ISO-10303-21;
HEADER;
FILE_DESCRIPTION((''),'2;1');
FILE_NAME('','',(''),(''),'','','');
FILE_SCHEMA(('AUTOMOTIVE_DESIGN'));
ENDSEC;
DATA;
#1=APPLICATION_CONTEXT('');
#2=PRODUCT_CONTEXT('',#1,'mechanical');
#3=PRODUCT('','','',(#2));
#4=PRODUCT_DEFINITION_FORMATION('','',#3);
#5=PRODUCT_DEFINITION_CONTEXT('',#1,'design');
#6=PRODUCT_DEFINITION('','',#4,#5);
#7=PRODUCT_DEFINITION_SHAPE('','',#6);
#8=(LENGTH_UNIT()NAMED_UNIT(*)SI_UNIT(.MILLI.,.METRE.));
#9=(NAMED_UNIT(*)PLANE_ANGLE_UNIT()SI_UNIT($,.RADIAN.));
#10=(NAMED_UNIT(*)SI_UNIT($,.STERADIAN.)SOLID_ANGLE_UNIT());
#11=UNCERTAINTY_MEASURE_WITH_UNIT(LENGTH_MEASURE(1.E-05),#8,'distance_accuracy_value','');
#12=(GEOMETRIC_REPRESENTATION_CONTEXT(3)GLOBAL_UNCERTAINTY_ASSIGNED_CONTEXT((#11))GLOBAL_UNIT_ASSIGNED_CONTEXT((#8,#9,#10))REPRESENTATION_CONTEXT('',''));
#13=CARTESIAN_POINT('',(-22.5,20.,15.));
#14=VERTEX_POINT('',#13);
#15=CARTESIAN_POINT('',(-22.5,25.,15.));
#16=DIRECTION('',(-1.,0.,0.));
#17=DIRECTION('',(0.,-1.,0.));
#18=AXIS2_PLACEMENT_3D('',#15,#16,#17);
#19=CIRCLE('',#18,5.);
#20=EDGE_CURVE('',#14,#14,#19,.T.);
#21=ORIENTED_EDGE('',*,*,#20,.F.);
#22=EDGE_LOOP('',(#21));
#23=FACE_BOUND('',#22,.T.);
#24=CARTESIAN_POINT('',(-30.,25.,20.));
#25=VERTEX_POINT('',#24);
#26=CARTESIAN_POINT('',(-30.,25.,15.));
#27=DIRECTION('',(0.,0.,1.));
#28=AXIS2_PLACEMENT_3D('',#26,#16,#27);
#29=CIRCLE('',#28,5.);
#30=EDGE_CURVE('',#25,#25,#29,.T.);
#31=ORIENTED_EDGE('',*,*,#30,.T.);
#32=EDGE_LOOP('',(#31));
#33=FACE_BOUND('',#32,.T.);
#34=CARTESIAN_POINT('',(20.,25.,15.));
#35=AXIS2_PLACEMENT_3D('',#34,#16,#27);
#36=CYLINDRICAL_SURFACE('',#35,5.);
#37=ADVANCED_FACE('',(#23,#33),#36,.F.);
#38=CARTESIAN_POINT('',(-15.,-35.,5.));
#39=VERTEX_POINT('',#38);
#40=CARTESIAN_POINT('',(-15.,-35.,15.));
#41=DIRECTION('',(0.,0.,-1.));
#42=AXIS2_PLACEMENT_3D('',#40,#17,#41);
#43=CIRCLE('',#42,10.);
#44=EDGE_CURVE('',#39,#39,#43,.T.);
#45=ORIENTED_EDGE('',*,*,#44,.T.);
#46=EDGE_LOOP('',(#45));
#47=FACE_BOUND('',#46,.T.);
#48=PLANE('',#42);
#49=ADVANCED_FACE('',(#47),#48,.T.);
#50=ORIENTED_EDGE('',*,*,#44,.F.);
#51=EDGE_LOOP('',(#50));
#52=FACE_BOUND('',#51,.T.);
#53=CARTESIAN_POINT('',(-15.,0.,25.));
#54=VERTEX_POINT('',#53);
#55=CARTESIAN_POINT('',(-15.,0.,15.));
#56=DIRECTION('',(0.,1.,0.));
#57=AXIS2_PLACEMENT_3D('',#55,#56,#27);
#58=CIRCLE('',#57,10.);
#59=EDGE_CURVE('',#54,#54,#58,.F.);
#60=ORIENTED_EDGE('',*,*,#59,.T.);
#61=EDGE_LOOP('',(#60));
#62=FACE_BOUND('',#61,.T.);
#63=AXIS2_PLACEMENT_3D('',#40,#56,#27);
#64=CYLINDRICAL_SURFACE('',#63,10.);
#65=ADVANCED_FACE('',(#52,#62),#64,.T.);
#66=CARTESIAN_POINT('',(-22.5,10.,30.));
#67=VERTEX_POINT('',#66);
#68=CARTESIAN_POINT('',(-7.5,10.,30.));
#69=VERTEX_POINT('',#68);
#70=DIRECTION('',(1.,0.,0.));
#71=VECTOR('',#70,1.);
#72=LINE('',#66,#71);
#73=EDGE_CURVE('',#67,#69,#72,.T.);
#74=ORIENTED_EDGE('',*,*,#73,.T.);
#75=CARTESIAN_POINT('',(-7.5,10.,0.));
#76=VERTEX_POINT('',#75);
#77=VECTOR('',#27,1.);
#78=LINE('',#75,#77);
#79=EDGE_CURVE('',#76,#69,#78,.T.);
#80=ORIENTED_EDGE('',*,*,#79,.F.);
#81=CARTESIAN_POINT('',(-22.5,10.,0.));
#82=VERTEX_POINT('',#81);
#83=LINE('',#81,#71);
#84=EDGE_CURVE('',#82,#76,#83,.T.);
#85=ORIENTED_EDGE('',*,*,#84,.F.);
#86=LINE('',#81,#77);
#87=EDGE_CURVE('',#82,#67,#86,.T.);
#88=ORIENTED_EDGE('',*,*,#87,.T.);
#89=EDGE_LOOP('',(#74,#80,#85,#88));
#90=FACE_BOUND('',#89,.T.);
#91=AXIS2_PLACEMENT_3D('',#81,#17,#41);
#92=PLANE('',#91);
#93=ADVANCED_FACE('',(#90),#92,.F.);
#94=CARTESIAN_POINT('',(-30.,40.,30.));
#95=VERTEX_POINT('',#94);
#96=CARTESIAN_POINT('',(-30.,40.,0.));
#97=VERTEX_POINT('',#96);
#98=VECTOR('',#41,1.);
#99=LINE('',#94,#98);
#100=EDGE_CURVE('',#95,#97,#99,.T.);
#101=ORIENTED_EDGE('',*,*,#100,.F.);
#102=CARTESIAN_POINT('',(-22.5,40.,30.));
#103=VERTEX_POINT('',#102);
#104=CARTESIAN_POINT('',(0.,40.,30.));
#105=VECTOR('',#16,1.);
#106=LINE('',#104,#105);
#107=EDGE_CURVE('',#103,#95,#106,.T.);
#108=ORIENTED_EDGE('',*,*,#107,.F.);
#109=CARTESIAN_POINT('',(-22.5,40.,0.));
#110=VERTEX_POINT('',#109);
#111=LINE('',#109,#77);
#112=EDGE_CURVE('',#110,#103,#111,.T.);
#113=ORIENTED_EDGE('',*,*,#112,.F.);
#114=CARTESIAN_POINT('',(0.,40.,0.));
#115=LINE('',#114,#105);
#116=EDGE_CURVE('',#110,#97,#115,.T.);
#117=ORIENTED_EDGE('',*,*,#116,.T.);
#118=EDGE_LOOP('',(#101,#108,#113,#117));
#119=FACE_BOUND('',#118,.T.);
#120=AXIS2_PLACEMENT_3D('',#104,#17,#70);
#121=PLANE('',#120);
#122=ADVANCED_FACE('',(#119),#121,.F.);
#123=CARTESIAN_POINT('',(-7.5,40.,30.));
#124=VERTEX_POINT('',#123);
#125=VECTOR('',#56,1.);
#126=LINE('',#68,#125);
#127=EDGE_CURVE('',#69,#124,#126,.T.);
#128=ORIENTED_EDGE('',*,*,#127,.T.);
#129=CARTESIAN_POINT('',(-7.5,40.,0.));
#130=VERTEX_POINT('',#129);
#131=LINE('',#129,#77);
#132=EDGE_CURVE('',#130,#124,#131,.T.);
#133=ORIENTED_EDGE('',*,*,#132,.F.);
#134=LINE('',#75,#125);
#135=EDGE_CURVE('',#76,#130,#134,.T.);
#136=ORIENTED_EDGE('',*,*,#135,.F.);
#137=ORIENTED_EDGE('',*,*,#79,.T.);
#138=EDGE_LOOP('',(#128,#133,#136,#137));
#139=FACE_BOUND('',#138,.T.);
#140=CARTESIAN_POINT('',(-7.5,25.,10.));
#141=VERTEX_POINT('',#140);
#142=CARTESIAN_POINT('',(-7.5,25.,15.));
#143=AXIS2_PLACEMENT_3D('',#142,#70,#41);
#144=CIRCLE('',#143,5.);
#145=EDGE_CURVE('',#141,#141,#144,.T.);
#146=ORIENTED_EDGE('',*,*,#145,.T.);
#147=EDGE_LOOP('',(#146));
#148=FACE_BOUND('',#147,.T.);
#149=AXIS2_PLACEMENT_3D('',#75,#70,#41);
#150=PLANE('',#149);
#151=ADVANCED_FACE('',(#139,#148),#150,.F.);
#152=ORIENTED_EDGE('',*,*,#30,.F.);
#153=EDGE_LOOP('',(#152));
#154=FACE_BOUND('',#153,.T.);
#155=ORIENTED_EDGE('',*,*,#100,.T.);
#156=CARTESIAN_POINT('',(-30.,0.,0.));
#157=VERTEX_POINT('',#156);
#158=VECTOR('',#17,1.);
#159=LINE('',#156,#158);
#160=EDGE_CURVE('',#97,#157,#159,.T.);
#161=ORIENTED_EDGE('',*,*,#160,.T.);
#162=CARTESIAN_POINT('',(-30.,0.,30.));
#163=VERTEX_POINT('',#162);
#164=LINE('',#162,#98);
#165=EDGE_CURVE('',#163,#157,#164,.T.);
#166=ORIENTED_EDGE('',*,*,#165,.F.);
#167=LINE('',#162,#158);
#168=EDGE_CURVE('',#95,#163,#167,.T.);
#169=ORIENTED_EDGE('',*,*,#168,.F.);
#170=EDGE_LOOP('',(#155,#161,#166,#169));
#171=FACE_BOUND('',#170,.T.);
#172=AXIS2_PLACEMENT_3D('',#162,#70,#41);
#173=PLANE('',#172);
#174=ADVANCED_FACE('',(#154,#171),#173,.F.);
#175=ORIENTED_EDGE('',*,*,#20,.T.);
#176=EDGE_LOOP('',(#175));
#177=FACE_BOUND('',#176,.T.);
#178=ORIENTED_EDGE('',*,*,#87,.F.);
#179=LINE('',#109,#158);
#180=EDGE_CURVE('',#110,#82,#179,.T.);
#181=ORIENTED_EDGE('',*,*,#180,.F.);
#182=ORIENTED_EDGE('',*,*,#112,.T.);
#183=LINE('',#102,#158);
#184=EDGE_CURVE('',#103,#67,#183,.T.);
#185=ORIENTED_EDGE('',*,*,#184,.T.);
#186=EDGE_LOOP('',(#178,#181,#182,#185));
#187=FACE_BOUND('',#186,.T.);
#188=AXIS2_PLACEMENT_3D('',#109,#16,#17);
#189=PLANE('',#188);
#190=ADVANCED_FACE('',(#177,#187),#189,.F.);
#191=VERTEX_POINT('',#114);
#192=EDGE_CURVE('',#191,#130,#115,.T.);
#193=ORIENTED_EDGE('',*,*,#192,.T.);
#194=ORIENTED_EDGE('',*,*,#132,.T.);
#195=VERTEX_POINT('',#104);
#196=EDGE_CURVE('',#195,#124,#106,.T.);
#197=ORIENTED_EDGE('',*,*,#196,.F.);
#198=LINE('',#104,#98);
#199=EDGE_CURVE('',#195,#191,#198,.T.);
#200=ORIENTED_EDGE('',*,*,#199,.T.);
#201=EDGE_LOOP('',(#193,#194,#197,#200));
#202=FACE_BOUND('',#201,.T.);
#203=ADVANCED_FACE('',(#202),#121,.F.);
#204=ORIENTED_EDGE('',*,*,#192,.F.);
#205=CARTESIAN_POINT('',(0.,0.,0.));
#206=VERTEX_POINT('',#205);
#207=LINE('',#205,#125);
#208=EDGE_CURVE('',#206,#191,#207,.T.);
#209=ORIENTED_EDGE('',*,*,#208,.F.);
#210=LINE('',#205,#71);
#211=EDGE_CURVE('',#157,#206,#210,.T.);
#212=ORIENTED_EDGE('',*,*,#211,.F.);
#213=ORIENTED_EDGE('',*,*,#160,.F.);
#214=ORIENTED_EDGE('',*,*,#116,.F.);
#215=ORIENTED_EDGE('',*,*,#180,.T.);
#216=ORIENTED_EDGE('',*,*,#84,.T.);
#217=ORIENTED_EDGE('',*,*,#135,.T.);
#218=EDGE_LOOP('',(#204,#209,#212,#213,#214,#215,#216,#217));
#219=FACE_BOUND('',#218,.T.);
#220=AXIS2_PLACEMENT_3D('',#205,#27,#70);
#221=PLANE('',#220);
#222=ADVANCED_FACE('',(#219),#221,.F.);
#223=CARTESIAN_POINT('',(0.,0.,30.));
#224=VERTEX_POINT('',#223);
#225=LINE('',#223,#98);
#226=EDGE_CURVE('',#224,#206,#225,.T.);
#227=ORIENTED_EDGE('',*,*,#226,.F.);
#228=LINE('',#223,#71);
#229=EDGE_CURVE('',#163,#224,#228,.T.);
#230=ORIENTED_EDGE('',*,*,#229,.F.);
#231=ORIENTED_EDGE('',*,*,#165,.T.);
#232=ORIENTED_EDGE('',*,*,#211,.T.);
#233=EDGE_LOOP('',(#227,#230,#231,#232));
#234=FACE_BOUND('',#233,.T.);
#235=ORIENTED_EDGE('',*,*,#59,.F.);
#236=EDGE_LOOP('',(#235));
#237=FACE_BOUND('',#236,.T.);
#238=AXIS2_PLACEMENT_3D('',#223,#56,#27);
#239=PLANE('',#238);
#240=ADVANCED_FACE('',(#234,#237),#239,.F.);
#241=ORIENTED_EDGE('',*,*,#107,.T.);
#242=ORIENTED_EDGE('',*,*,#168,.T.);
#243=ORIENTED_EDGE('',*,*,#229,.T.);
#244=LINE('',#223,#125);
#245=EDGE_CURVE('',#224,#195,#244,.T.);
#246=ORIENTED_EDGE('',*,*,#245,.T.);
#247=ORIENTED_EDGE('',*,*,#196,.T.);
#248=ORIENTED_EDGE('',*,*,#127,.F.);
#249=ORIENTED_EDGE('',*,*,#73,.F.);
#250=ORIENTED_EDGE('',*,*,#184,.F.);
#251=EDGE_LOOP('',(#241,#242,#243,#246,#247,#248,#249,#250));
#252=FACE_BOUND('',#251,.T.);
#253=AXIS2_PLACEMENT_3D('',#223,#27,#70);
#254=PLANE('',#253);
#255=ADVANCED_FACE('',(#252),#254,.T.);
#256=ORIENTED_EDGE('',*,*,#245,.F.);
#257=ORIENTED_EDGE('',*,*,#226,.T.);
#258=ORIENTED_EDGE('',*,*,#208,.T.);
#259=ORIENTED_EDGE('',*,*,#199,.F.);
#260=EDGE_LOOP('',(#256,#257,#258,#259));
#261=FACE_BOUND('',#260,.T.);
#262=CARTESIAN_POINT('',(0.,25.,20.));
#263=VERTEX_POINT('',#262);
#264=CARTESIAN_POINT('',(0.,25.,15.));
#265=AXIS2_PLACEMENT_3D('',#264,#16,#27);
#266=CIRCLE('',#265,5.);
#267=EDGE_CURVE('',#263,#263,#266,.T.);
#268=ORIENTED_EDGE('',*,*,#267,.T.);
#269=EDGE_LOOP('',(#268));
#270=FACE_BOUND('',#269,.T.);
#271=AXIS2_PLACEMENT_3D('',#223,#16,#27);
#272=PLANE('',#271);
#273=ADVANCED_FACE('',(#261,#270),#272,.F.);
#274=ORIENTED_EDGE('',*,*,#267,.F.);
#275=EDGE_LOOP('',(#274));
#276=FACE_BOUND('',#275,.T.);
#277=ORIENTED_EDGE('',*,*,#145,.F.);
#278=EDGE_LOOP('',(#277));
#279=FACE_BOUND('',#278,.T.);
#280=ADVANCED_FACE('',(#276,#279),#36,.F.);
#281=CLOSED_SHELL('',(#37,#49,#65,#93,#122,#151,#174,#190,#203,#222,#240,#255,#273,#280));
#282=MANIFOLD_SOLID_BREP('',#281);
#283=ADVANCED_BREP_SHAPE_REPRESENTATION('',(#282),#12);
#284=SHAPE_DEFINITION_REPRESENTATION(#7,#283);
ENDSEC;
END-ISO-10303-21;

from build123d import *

# Parameters (mm, degrees)
ESQUISSE1_W             = 30
ESQUISSE1_H             = 40
BOSS_EXTRU_1_DEPTH      = 30
ESQUISSE2_W             = 15
ESQUISSE2_H             = 30
ENL_V_MAT_EXTRU_1_DEPTH = 30
ESQUISSE3_R             = 5
ENL_V_MAT_EXTRU_2_DEPTH = 50
ESQUISSE4_R             = 10
BOSS_EXTRU_2_DEPTH      = 35


with BuildPart() as part:
    # Esquisse1 → Boss.-Extru.1 (new body)
    with BuildSketch(Plane.XY):
        with Locations((-15, 20)):
            Rectangle(ESQUISSE1_W, ESQUISSE1_H)
    extrude(amount=BOSS_EXTRU_1_DEPTH)

    # Esquisse2 → Enlèv. mat.-Extru.1 (cut)
    with BuildSketch(Plane.XY.offset(30)):
        with Locations((-15, 25)):
            Rectangle(ESQUISSE2_W, ESQUISSE2_H)
    extrude(amount=-ENL_V_MAT_EXTRU_1_DEPTH, mode=Mode.SUBTRACT)

    # Esquisse3 → Enlèv. mat.-Extru.2 (cut)
    with BuildSketch(Plane.ZY.offset(30)):
        with Locations((15, 25)):
            Circle(ESQUISSE3_R)
    extrude(amount=-ENL_V_MAT_EXTRU_2_DEPTH, mode=Mode.SUBTRACT)

    # Esquisse4 → Boss.-Extru.2 (add)
    with BuildSketch(Plane.XZ):
        with Locations(Location((-15, 15, 0), (0, 0, 90))):  # turned: the seam where the file's is
            Circle(ESQUISSE4_R)
    extrude(amount=BOSS_EXTRU_2_DEPTH)


solid = part.part
